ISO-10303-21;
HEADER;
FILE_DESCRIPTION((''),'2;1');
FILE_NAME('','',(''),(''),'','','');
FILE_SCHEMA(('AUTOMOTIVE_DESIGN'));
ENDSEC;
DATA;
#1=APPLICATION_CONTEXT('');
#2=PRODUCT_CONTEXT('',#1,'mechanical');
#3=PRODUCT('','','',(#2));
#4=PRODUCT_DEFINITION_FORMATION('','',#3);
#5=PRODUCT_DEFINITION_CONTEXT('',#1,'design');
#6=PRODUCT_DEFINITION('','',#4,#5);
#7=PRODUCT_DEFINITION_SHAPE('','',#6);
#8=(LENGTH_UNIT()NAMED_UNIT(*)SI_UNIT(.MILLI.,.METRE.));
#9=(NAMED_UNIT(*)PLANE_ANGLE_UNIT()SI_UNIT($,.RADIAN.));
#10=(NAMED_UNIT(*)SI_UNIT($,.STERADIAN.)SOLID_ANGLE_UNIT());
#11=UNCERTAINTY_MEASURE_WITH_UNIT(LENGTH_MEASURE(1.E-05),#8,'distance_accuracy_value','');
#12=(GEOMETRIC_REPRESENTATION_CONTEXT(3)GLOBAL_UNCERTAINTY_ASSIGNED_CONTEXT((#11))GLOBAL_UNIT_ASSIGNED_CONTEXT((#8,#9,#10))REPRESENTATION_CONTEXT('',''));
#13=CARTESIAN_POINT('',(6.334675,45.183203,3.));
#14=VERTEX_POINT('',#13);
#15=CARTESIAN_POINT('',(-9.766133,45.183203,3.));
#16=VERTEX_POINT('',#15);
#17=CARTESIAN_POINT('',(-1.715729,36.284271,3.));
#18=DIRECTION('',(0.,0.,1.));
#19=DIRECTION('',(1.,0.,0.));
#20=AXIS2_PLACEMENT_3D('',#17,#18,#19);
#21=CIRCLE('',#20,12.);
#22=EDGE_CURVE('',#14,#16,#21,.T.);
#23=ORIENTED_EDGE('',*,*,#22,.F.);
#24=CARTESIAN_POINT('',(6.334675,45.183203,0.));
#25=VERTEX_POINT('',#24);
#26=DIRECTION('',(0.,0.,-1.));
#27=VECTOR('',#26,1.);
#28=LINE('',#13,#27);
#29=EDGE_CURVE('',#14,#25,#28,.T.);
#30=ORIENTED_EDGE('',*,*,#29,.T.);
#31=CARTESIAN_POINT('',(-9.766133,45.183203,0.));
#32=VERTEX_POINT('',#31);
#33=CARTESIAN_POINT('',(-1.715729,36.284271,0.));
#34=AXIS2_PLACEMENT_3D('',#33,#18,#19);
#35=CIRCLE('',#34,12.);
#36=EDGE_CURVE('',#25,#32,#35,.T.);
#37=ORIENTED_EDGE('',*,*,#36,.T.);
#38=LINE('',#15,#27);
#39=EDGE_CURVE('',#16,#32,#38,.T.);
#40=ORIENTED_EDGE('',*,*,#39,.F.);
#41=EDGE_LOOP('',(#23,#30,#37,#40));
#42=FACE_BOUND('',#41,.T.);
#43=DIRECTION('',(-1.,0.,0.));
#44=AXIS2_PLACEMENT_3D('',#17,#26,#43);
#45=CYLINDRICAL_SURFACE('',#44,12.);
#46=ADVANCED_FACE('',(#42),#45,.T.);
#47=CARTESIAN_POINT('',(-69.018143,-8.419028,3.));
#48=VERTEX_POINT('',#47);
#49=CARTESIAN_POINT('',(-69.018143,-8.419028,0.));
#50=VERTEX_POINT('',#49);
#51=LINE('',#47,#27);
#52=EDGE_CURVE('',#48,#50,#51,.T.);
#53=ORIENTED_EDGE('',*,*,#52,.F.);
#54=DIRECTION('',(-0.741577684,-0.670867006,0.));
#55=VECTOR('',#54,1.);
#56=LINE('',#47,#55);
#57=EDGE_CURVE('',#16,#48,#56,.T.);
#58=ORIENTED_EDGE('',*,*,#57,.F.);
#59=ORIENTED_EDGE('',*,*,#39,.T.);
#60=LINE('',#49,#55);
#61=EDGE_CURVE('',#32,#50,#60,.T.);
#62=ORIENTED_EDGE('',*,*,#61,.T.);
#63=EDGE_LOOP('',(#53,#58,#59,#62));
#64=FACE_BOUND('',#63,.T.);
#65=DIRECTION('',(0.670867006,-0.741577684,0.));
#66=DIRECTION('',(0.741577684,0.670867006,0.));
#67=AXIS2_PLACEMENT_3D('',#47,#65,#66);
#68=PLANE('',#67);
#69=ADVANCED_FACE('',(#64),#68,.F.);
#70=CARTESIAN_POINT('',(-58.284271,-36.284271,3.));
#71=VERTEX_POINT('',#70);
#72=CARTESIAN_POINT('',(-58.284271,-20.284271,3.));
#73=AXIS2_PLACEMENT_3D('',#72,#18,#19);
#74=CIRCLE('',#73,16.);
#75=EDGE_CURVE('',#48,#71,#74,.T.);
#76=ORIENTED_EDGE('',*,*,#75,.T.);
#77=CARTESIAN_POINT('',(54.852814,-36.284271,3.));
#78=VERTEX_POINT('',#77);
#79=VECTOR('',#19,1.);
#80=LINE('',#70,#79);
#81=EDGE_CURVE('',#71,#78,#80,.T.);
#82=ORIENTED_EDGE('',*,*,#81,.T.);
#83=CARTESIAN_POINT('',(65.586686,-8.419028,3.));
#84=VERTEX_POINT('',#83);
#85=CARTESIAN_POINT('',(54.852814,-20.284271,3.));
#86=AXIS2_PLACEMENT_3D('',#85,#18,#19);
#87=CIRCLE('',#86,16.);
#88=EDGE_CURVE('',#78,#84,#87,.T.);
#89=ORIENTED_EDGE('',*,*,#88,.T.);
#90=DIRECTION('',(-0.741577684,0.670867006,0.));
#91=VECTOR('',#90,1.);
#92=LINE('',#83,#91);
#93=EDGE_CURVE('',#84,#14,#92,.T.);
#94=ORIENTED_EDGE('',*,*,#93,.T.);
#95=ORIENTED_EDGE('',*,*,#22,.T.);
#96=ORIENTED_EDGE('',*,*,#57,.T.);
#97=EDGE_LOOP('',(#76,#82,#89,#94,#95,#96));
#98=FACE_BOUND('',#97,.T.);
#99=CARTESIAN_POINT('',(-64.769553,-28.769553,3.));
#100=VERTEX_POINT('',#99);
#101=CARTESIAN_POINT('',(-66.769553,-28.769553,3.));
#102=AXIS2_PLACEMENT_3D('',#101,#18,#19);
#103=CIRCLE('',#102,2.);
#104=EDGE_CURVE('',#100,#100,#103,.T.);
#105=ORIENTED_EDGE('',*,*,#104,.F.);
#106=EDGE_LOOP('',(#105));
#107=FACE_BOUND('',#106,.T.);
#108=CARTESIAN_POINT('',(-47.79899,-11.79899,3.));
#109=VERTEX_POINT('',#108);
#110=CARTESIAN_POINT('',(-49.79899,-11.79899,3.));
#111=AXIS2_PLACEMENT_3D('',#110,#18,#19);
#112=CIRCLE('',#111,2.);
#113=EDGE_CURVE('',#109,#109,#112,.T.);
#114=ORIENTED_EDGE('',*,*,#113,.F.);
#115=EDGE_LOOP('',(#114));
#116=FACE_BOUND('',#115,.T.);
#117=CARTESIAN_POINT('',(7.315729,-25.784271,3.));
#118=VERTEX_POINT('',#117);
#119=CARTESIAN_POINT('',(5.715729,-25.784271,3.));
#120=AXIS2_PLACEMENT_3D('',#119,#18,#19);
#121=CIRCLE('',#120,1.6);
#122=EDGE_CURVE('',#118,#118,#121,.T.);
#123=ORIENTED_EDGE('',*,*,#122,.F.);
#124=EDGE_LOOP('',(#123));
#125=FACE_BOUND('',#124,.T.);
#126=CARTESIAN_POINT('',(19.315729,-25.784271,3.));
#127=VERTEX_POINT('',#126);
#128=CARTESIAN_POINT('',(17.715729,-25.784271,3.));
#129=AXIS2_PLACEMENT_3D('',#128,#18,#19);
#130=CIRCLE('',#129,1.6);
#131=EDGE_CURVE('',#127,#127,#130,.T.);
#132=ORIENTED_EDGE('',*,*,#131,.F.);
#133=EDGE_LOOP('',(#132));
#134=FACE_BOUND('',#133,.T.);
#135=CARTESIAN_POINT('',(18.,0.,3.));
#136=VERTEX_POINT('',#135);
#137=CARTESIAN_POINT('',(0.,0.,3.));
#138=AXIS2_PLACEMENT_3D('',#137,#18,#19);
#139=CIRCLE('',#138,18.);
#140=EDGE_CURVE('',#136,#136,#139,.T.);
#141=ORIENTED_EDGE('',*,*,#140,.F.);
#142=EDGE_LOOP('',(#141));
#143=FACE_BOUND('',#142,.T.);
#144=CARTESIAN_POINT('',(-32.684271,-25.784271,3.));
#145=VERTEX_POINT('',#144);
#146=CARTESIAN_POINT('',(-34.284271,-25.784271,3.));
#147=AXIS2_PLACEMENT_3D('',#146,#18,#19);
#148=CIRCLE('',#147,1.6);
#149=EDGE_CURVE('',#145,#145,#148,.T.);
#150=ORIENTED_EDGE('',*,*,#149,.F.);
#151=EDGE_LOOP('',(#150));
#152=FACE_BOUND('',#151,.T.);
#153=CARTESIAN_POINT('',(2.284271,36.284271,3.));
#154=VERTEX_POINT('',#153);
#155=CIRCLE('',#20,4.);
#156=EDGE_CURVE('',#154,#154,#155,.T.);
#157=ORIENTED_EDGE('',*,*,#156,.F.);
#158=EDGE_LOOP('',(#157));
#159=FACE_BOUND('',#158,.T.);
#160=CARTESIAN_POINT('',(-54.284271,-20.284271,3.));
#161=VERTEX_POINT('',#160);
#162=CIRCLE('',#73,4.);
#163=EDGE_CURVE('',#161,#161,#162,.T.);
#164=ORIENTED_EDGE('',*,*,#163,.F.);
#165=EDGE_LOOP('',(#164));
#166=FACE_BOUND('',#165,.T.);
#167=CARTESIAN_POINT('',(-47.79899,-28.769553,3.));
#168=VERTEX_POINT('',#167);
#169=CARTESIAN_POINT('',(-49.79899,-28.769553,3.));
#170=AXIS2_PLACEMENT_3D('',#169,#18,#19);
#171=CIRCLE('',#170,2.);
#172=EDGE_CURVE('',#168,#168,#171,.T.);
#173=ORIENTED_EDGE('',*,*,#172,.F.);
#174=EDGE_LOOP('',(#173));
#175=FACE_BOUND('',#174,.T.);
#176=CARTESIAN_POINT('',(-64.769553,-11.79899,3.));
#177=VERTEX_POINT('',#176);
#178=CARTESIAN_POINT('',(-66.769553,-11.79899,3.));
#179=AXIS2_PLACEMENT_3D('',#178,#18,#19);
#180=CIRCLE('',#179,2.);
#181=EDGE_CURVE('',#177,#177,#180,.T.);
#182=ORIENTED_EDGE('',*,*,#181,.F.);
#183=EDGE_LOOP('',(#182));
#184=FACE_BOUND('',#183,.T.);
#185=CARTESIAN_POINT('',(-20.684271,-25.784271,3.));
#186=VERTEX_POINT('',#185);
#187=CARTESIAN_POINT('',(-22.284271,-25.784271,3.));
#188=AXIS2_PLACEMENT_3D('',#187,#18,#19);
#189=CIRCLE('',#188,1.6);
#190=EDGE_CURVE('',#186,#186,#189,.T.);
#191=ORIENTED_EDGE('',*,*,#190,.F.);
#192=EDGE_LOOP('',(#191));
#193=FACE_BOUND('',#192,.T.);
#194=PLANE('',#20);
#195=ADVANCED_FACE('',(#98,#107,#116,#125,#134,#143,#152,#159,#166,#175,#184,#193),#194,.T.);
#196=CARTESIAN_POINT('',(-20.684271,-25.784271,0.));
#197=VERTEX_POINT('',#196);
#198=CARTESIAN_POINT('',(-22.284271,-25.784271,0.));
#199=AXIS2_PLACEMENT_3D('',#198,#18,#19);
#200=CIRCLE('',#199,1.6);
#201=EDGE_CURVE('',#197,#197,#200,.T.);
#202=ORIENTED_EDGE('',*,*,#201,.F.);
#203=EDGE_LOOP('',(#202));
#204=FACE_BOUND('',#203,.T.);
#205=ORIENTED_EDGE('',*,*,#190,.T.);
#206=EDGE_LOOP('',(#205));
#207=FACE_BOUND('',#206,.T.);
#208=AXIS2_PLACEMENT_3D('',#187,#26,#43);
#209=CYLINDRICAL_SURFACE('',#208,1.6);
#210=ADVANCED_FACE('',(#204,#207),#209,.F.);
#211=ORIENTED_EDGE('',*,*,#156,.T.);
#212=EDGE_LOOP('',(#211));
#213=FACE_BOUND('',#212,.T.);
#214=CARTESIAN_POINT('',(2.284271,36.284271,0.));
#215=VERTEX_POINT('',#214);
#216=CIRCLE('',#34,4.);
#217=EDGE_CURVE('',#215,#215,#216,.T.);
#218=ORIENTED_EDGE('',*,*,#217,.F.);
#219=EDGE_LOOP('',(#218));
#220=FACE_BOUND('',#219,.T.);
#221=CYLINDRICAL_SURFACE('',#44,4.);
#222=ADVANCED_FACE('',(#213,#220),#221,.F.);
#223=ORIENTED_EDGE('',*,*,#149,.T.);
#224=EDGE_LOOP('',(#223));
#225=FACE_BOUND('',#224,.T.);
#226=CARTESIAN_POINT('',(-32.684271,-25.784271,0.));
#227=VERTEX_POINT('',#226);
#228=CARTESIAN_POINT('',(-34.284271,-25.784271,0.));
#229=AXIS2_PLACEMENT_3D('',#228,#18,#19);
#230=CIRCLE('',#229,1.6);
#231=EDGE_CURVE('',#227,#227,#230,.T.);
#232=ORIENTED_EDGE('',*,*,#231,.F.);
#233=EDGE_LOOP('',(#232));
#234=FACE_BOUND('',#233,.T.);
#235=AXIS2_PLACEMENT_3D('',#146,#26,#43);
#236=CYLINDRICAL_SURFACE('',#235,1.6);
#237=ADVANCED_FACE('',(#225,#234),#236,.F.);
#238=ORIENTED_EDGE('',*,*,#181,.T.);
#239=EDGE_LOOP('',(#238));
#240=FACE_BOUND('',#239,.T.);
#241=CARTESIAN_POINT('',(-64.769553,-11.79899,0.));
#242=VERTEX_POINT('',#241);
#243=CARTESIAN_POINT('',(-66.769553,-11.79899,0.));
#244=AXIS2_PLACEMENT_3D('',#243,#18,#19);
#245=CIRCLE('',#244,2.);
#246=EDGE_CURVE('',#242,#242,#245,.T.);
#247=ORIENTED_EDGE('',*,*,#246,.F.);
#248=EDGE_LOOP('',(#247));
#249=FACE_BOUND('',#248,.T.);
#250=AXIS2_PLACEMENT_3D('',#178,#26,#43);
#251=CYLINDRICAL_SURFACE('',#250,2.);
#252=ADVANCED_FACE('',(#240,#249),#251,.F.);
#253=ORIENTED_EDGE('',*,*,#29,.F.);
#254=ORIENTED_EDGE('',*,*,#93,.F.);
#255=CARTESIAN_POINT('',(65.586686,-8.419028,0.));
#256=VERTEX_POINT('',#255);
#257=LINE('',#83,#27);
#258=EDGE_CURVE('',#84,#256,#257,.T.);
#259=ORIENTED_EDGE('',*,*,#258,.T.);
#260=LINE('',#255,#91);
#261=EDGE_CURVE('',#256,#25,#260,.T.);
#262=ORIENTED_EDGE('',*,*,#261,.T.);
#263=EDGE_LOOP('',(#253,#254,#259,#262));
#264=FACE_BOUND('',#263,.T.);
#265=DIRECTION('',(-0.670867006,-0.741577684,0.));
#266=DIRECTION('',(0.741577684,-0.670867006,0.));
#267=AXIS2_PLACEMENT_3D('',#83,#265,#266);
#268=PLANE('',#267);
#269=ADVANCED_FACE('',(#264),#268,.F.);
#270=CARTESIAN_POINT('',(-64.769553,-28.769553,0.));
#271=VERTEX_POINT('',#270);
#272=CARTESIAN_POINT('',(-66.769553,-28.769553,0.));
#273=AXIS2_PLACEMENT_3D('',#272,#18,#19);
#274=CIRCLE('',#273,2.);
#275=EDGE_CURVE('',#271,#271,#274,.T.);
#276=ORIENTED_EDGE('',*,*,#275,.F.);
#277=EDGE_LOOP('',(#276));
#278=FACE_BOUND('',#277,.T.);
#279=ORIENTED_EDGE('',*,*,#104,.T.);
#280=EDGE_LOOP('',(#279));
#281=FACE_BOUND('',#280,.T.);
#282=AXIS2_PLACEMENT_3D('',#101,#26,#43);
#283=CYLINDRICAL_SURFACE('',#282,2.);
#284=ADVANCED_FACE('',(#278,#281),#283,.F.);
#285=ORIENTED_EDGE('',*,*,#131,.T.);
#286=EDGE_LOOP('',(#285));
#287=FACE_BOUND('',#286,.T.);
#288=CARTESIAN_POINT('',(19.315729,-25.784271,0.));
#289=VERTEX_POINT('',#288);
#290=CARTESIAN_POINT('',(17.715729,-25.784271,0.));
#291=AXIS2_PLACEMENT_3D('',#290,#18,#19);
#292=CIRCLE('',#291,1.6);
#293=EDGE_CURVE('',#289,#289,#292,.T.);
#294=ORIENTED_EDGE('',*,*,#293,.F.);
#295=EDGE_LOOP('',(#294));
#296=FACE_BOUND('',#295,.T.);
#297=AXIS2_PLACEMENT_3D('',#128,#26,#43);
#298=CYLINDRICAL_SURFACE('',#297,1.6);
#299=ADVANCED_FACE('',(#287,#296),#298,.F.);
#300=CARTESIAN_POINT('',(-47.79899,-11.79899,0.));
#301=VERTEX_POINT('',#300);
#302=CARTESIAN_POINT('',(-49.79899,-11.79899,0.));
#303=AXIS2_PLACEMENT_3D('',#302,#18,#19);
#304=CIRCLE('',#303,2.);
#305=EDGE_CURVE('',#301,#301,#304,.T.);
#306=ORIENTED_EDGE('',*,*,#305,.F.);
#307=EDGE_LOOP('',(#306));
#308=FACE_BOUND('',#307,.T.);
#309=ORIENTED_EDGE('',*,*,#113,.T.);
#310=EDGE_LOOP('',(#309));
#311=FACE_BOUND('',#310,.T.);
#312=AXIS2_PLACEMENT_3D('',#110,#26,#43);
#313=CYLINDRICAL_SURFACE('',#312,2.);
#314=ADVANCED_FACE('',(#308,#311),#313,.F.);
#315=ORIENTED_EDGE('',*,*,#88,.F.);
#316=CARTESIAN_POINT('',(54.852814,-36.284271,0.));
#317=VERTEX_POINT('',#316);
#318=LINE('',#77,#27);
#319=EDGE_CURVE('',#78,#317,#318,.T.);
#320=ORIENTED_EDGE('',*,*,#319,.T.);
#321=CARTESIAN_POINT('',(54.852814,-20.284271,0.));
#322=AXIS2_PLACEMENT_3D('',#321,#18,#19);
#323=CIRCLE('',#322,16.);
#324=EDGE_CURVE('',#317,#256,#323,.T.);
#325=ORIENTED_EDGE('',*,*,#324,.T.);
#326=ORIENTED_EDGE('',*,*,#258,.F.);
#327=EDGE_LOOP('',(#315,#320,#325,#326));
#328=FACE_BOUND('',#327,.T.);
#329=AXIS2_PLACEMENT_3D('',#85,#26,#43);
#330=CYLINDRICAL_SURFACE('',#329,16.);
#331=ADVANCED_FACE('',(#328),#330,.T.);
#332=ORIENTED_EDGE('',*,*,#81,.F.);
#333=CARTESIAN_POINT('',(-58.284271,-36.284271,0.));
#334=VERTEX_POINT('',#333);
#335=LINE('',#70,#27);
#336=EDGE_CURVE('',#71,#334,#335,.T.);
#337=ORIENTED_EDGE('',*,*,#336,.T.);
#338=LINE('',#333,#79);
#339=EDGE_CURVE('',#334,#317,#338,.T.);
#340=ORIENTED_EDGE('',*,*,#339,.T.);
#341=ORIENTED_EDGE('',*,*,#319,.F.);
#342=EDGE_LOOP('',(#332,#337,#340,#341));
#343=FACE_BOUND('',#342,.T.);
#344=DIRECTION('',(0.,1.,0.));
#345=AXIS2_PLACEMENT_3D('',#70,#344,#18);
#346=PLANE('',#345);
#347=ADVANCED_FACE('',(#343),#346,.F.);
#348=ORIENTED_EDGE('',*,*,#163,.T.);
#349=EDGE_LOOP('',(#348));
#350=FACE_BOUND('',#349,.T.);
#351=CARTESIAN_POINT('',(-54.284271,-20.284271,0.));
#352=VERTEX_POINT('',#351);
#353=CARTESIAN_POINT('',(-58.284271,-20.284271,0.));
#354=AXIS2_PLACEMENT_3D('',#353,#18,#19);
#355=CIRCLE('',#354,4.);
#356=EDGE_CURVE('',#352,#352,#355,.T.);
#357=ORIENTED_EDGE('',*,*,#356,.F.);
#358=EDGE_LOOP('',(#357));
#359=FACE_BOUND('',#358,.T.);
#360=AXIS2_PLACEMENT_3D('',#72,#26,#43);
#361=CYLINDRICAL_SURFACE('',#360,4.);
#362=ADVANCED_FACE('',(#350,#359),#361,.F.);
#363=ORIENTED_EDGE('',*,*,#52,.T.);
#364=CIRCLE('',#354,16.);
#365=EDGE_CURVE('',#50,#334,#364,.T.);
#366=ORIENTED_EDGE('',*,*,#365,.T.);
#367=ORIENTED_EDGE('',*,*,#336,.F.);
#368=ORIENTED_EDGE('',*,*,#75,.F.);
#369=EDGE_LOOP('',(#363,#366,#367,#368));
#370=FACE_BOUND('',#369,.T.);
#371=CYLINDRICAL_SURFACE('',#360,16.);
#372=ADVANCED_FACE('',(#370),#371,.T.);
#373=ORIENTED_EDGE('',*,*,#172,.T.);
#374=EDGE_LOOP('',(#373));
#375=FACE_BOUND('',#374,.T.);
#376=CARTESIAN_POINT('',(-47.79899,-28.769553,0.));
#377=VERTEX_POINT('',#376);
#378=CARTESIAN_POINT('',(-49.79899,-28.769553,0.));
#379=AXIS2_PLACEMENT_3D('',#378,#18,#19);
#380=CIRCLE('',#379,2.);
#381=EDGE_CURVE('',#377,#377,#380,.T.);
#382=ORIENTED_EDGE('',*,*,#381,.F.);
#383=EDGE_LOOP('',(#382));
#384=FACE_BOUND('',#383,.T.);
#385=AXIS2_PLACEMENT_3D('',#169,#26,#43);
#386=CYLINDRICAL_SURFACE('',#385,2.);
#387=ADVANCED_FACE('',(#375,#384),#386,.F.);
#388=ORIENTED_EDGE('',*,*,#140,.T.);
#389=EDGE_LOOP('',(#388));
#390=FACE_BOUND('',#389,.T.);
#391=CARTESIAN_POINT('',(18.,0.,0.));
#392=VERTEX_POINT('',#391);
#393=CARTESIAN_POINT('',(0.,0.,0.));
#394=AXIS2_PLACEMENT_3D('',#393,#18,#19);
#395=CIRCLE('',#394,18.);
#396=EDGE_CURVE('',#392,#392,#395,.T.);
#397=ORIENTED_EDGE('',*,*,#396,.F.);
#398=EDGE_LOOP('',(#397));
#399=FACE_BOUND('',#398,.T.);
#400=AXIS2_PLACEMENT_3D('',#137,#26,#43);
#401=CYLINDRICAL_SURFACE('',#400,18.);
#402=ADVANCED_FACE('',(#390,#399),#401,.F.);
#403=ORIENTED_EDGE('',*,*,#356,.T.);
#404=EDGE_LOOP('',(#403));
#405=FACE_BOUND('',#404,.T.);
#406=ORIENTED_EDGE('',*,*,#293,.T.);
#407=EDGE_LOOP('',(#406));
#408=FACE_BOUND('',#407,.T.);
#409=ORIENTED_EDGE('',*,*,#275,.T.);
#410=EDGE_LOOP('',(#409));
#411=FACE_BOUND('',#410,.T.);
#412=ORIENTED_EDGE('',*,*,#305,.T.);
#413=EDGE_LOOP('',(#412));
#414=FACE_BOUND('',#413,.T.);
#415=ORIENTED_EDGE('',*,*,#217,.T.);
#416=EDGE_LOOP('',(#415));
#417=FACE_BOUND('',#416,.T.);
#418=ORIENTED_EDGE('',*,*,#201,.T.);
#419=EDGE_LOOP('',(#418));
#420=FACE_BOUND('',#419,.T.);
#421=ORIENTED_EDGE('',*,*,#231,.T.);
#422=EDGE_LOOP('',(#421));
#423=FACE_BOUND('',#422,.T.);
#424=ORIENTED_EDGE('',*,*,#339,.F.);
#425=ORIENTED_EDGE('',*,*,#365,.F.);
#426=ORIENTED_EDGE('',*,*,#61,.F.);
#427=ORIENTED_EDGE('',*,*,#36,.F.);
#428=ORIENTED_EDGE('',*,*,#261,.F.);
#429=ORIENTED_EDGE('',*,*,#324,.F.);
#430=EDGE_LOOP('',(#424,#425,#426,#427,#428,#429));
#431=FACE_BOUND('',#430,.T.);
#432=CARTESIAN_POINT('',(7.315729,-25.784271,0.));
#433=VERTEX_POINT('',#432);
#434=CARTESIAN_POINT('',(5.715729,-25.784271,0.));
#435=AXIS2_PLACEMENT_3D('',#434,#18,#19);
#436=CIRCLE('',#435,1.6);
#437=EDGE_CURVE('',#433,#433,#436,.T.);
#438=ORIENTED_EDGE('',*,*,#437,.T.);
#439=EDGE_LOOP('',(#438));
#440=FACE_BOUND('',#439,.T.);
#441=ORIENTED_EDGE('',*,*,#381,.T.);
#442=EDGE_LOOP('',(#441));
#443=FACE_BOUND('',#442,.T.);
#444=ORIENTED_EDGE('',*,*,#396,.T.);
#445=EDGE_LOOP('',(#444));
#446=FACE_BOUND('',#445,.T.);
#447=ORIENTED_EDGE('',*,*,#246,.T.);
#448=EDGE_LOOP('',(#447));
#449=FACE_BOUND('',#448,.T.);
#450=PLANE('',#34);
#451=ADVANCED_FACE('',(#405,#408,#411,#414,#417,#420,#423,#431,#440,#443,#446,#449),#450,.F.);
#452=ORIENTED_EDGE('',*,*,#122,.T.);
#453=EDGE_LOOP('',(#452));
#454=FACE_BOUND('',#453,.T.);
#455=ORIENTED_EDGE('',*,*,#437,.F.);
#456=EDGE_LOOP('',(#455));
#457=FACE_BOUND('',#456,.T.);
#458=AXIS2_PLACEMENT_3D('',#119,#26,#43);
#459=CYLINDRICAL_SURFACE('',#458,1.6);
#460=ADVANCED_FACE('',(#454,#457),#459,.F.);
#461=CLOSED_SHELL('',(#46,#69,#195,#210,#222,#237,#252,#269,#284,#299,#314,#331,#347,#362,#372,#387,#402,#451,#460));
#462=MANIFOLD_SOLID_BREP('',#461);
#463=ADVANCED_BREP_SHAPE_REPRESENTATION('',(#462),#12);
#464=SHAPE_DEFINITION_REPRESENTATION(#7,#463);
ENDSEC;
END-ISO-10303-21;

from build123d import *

# Parameters (mm, degrees)
MODEL_R         = 1.6
MODEL_R_2       = 18
MODEL_R_3       = 4
MODEL_R_4       = 2
EXTRUDE_1_DEPTH = 3


with BuildPart() as part:
    # Model → 凸台-拉伸1 (new body)
    with BuildSketch(Plane.XY):
        with BuildLine():
            Line((-69.018143336, -8.419028309), (-9.766132819, 45.183203451))
            ThreePointArc((-9.766132819, 45.183203451), (-1.715728752, 48.284271248), (6.334675314, 45.183203451))
            Line((6.334675314, 45.183203451), (65.586685831, -8.419028309))
            ThreePointArc((65.586685831, -8.419028309), (69.783384512, -26.035623827), (54.852813742, -36.284271247))
            Line((54.852813742, -36.284271247), (-58.284271247, -36.284271247))
            ThreePointArc((-58.284271247, -36.284271247), (-73.214842017, -26.035623827), (-69.018143336, -8.419028309))
        make_face()
        with Locations((5.715728753, -25.784271247)):
            Circle(MODEL_R, mode=Mode.SUBTRACT)
        Circle(MODEL_R_2, mode=Mode.SUBTRACT)
        with Locations((-58.284271248, -20.284271247)):
            Circle(MODEL_R_3, mode=Mode.SUBTRACT)
        with Locations((-1.715728753, 36.284271247)):
            Circle(MODEL_R_3, mode=Mode.SUBTRACT)
        with Locations((-22.284271247, -25.784271247)):
            Circle(MODEL_R, mode=Mode.SUBTRACT)
        with Locations((-34.284271247, -25.784271247)):
            Circle(MODEL_R, mode=Mode.SUBTRACT)
        with Locations((17.715728753, -25.784271247)):
            Circle(MODEL_R, mode=Mode.SUBTRACT)
        with Locations((-66.769552622, -11.798989873)):
            Circle(MODEL_R_4, mode=Mode.SUBTRACT)
        with Locations((-49.798989873, -11.798989873)):
            Circle(MODEL_R_4, mode=Mode.SUBTRACT)
        with Locations((-49.798989873, -28.769552622)):
            Circle(MODEL_R_4, mode=Mode.SUBTRACT)
        with Locations((-66.769552622, -28.769552622)):
            Circle(MODEL_R_4, mode=Mode.SUBTRACT)
    extrude(amount=EXTRUDE_1_DEPTH)


solid = part.part
